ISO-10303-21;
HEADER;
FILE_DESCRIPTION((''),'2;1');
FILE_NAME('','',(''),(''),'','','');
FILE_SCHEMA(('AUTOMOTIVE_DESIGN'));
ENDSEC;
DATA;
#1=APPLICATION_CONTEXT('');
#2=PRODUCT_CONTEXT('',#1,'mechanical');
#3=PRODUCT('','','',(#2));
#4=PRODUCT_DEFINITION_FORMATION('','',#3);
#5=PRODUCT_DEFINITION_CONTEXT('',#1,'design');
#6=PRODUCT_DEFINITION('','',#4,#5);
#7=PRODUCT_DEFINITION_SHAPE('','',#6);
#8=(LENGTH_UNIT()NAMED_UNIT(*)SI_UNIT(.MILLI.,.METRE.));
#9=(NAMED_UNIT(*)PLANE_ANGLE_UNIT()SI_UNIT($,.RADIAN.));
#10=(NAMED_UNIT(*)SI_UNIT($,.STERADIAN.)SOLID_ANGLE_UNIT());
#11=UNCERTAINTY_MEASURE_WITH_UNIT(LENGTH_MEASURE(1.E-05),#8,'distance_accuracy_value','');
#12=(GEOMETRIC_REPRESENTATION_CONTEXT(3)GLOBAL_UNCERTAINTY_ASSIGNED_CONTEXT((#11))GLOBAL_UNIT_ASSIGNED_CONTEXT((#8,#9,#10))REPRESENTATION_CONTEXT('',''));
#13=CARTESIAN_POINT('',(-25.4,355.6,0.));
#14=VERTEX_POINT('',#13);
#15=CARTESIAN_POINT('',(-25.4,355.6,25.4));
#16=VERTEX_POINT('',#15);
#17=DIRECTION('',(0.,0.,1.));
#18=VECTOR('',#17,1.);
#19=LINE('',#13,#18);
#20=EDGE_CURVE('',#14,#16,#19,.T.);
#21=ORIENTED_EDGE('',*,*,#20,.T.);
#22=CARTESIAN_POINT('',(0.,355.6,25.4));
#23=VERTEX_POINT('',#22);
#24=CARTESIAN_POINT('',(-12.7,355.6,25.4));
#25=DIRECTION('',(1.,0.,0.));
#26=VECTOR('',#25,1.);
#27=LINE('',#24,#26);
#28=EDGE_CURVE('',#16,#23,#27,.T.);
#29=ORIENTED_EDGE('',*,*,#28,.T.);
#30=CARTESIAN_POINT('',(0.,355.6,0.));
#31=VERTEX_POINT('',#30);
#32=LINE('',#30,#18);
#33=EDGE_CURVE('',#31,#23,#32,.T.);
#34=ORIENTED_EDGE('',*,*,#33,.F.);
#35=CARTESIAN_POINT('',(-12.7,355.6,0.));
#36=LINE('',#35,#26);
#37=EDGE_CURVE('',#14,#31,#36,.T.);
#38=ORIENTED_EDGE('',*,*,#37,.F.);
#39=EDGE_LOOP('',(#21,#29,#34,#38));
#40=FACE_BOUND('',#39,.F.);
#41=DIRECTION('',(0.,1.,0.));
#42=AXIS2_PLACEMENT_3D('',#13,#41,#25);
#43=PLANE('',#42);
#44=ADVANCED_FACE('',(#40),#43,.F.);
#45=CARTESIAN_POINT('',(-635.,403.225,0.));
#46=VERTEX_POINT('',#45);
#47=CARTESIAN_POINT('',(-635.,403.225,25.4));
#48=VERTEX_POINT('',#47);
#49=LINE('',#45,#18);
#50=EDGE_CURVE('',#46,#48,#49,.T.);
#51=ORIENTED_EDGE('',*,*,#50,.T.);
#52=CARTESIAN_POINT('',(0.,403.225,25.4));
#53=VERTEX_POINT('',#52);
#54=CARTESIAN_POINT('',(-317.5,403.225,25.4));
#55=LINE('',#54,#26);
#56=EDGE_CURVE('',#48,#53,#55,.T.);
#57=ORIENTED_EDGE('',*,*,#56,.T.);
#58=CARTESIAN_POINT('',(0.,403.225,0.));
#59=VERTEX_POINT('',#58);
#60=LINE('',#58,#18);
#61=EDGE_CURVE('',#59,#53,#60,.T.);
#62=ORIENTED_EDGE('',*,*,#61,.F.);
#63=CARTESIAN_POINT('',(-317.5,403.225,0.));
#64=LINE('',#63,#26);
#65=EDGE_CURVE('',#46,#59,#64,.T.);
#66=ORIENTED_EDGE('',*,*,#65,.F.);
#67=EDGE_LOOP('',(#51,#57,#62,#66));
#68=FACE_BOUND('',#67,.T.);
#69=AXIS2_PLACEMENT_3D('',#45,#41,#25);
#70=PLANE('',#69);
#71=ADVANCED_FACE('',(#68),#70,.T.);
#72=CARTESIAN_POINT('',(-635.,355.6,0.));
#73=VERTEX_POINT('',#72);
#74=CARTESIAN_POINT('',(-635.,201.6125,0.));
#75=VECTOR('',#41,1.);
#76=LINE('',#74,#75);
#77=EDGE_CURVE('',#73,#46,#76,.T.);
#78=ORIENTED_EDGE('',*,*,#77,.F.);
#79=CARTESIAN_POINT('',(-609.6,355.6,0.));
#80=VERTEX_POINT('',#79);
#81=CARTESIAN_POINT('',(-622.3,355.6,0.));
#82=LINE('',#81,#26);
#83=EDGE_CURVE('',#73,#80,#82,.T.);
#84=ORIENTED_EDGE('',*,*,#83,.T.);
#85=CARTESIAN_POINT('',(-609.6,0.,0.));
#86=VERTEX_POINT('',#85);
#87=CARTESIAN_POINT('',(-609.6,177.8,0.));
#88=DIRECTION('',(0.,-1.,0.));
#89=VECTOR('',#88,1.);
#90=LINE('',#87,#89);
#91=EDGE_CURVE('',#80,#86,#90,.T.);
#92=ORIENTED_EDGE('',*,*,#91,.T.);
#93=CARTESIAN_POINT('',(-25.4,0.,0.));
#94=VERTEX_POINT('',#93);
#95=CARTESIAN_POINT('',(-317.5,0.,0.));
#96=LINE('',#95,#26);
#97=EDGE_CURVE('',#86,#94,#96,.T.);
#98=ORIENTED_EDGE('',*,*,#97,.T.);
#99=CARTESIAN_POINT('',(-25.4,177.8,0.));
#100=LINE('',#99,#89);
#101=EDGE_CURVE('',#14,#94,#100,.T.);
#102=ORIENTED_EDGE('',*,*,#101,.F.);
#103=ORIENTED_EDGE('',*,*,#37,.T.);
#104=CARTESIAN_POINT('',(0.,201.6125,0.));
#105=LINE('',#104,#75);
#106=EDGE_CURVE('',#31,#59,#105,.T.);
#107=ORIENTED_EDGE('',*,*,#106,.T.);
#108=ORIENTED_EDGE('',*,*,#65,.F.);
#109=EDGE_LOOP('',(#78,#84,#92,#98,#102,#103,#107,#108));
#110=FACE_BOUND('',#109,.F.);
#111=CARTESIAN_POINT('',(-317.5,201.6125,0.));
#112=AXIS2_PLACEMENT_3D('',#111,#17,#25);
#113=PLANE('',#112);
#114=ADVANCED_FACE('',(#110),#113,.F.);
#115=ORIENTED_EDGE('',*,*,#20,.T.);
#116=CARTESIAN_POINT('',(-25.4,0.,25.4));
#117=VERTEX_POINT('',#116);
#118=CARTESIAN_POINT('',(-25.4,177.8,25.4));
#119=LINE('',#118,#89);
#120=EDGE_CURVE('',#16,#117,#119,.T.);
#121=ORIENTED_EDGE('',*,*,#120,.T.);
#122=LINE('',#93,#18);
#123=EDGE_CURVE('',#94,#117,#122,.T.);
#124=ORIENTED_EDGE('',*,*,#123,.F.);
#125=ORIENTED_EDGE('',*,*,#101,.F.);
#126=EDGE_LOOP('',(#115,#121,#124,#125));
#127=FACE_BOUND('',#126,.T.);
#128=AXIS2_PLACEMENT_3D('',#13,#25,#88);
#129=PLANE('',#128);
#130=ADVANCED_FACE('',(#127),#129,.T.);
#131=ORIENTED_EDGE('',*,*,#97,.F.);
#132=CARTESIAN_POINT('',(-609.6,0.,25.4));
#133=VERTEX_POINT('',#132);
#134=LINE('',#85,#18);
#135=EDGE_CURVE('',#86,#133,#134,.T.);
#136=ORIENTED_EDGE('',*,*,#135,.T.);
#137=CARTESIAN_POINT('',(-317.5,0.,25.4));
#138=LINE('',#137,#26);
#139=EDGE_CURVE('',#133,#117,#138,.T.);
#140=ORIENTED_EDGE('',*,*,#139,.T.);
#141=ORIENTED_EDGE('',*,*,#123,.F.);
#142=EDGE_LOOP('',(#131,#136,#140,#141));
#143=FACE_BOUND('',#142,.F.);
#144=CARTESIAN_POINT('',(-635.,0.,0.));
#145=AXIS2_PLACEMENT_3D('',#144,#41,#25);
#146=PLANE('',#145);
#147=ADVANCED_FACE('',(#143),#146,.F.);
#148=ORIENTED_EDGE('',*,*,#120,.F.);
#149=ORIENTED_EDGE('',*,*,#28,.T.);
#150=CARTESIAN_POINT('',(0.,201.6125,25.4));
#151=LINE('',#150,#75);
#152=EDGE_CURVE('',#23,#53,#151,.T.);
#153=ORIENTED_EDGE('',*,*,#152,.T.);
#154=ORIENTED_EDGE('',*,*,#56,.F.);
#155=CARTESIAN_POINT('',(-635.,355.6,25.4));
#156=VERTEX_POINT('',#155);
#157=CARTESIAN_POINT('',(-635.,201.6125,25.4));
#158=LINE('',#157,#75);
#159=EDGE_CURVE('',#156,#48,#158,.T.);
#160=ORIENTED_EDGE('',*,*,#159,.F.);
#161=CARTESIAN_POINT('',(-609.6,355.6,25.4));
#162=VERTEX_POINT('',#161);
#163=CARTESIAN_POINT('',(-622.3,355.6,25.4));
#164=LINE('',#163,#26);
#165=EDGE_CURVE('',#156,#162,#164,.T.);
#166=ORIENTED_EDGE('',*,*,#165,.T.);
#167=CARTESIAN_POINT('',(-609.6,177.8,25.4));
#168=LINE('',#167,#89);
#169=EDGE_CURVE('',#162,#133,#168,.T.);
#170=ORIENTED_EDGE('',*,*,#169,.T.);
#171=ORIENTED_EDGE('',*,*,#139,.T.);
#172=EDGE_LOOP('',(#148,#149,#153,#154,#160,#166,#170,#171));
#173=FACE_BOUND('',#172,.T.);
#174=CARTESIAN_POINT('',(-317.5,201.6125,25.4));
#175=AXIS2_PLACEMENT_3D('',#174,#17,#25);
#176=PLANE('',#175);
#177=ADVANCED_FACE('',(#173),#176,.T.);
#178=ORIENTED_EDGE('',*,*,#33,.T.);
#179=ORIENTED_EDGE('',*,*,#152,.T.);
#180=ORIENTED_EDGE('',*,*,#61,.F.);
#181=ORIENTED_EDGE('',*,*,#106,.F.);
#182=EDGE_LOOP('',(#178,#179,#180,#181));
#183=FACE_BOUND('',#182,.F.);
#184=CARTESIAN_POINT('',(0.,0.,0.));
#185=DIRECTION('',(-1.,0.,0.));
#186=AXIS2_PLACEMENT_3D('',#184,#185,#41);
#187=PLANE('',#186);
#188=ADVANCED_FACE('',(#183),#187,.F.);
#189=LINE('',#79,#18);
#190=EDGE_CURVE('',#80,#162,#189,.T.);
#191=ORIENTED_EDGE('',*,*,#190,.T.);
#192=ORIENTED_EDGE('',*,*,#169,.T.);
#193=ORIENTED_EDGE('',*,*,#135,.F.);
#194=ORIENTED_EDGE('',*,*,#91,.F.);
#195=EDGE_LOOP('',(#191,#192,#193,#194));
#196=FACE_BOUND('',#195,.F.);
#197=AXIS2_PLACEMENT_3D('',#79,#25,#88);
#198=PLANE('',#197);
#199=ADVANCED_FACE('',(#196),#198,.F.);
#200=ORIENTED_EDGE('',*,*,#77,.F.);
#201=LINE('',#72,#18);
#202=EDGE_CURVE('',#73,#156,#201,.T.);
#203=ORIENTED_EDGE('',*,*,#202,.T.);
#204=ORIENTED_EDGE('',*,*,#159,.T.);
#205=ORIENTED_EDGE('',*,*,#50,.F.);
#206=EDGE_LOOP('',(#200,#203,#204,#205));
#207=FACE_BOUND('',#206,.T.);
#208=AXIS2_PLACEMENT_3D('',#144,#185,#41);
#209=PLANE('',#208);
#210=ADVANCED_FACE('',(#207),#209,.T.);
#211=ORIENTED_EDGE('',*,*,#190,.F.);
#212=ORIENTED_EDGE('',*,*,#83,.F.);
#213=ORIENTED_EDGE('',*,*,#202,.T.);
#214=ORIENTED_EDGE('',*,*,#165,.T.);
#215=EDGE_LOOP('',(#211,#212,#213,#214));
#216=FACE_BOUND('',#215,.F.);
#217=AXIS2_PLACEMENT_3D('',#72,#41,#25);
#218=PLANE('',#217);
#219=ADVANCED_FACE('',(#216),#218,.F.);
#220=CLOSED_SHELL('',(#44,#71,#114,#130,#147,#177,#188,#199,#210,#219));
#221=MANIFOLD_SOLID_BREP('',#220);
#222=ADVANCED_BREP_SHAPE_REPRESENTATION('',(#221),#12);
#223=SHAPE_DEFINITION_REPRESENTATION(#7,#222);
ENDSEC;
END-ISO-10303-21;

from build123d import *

# Parameters (mm, degrees)
F0_W     = 635
F0_H     = 403.225
F1_DEPTH = 25.4
F2_W     = 25.4
F2_H     = 355.6
F3_DEPTH = 25.4


with BuildPart() as f1:
    # F0 (on Top) → F1 (new body)
    with BuildSketch(Plane.XY):
        with Locations((-317.5, 201.6125)):
            Rectangle(F0_W, F0_H)
    extrude(amount=F1_DEPTH)

    # F2 (on face) → F3 (cut, through all)
    with BuildSketch(Plane(origin=(0, 0, 0), x_dir=(1, 0, 0), z_dir=(0, 0, -1))):
        with Locations((-12.7, -177.8)):
            Rectangle(F2_W, F2_H)
        with Locations((-622.3, -177.8)):
            Rectangle(F2_W, F2_H)
    extrude(amount=-F3_DEPTH, mode=Mode.SUBTRACT)


solid = f1.part
